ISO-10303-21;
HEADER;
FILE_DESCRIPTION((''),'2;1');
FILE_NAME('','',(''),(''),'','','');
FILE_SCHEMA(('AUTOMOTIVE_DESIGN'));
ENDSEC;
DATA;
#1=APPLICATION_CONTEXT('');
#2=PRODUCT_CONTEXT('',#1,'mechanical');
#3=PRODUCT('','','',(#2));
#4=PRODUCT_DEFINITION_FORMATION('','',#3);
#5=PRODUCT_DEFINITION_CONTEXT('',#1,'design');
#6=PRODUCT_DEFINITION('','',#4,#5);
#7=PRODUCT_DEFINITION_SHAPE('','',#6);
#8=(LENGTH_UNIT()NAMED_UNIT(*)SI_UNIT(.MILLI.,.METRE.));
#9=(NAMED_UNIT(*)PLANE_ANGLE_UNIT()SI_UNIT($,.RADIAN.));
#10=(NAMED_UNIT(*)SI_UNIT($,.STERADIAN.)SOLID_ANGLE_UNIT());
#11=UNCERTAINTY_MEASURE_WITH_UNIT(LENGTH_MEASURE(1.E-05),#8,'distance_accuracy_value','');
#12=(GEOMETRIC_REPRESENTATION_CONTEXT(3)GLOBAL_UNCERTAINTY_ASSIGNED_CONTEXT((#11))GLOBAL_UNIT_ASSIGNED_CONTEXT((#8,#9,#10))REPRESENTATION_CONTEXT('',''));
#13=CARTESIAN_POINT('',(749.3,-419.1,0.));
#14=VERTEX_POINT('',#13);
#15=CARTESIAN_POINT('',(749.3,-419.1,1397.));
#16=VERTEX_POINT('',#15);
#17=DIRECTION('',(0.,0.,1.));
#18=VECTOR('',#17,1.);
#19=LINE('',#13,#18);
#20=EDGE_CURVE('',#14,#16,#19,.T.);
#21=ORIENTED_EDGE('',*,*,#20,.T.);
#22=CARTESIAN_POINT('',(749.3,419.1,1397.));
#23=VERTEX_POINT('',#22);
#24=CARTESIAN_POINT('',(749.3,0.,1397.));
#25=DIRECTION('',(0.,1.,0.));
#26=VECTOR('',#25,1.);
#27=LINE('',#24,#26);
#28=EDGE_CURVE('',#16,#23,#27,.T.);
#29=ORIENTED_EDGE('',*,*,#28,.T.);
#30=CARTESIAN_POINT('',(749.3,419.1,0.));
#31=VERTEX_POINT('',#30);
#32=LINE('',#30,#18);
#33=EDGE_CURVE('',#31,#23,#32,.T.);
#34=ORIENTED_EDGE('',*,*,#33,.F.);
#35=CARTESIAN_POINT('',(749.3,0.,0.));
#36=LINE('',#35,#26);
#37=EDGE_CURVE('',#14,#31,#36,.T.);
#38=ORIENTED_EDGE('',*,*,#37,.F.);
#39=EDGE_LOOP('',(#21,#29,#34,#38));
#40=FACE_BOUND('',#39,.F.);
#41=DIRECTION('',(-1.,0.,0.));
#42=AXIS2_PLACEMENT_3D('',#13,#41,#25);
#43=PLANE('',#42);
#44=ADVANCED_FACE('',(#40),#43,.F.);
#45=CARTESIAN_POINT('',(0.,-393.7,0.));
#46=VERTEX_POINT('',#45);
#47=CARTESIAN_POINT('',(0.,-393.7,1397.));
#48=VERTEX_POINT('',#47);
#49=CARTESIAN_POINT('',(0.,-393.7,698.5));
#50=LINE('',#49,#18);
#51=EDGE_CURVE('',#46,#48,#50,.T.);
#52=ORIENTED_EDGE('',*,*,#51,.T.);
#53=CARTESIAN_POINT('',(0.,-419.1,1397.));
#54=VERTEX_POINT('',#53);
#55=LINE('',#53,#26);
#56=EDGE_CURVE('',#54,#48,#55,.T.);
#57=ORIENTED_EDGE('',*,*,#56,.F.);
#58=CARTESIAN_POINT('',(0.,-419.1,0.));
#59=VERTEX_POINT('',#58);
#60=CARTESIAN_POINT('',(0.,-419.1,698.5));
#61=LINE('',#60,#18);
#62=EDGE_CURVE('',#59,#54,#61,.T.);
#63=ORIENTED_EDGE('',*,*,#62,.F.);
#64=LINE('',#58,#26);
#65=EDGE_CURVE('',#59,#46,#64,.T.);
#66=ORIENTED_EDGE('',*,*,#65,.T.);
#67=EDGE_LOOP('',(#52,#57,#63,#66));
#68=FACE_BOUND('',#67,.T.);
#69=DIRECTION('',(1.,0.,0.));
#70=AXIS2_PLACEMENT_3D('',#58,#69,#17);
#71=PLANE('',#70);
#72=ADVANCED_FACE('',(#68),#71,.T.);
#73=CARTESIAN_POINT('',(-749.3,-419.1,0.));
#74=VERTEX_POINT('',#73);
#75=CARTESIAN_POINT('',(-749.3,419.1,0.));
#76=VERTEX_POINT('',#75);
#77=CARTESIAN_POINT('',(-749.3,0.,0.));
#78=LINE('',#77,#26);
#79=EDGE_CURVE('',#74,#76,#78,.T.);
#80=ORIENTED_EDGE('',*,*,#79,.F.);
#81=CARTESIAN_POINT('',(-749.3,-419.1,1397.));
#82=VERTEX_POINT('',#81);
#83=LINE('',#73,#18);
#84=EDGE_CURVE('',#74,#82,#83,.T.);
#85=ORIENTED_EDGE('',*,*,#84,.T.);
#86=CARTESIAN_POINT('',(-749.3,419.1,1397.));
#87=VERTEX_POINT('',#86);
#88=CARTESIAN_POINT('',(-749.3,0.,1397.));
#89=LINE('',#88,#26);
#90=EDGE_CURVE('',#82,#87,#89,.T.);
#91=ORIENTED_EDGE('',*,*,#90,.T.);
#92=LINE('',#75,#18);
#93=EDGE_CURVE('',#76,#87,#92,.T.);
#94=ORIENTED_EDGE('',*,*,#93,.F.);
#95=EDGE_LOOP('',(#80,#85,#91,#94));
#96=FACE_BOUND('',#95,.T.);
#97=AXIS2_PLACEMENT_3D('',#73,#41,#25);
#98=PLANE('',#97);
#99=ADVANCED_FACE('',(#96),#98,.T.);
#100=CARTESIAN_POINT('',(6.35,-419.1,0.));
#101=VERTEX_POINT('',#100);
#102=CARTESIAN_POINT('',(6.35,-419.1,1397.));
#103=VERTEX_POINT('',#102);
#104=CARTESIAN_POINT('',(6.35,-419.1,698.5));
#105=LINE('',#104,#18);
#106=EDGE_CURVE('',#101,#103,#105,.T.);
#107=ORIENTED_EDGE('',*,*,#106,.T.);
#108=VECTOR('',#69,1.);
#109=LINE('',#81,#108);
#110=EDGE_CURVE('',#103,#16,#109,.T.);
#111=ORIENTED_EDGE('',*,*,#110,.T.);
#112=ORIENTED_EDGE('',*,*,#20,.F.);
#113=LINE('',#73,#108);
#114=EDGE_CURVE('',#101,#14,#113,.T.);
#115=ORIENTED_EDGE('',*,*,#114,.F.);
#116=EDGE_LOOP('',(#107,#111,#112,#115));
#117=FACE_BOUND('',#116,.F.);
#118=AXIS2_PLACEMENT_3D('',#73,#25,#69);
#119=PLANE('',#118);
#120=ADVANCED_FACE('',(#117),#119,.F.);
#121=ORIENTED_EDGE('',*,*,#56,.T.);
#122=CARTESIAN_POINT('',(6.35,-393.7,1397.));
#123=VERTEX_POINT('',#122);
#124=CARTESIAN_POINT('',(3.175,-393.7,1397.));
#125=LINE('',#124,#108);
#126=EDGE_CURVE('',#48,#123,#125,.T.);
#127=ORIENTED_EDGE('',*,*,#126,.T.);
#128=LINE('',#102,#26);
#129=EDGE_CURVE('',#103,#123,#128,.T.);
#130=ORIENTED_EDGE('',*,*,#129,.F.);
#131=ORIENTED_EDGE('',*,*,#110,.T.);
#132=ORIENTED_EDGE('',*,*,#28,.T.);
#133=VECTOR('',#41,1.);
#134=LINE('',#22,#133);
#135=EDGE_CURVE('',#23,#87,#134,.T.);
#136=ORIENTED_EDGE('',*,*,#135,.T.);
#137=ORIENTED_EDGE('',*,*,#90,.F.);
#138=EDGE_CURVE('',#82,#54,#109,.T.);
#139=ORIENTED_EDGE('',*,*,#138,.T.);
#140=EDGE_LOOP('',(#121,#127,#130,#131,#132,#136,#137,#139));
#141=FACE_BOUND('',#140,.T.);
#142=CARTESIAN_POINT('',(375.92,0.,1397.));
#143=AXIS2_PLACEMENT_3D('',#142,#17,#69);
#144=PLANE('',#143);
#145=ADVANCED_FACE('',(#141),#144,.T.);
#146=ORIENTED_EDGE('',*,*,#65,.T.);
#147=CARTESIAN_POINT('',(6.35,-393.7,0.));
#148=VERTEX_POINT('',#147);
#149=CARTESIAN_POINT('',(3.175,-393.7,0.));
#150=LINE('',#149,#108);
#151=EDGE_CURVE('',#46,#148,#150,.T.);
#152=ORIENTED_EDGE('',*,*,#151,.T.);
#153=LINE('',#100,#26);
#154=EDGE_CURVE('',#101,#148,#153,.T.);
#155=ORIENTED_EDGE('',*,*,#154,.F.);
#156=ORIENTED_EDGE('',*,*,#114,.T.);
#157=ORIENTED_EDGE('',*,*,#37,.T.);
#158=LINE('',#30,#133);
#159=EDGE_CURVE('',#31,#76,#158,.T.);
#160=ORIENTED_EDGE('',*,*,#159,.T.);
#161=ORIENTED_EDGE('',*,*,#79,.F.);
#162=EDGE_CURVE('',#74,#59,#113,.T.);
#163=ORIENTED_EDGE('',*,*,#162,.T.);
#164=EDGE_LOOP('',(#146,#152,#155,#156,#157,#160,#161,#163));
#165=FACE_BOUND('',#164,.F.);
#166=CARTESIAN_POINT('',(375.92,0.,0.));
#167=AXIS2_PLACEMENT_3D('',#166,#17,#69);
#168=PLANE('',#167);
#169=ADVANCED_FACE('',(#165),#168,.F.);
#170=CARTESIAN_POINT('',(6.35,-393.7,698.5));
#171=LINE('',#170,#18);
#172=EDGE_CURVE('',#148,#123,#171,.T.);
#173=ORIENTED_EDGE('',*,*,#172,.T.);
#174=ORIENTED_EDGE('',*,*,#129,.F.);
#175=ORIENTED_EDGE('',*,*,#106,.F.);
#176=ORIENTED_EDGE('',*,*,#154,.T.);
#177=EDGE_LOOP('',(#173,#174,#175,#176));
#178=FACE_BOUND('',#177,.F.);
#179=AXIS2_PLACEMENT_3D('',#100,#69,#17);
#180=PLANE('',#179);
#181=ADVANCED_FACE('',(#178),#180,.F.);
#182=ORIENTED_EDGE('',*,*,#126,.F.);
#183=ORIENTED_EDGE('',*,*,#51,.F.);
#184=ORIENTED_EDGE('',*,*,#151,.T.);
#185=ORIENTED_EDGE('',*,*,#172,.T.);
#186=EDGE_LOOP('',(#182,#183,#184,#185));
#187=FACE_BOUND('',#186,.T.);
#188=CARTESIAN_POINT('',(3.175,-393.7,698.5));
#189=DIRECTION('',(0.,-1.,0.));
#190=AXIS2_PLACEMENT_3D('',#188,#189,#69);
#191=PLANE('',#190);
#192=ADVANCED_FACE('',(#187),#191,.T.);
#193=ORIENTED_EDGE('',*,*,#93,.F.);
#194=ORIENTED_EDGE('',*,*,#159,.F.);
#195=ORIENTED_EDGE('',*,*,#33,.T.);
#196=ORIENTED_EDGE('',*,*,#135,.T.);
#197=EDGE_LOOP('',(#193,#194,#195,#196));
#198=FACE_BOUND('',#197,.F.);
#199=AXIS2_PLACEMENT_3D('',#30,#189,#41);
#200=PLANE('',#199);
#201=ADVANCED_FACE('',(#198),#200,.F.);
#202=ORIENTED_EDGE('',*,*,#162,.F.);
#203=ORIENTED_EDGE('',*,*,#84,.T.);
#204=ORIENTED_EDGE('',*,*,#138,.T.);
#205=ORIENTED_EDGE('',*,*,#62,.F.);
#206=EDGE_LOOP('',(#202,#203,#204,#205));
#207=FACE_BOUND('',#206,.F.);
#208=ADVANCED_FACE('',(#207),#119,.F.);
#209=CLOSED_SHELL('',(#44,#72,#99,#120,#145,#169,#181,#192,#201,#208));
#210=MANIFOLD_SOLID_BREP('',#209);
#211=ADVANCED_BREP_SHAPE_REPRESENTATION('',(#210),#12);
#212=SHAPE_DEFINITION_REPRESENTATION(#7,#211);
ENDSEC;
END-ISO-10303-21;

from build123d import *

# Parameters (mm, degrees)
F0_W     = 746.76
F0_H     = 838.2
F0_W_2   = 5.08
F1_DEPTH = 1397
F2_W     = 6.35
F2_H     = 1397
F3_DEPTH = 25.4


with BuildPart() as f1:
    # F0 (on Top) → F1 (new body)
    with BuildSketch(Plane.XY):
        with Locations((375.92, 0)):
            Rectangle(F0_W, F0_H)
        with Locations((-375.92, 0)):
            Rectangle(F0_W, F0_H)
        Rectangle(F0_W_2, F0_H)
    extrude(amount=F1_DEPTH)

    # F2 (on face) → F3 (cut)
    with BuildSketch(Plane.XZ.offset(419.1)):
        with Locations((3.175, 698.5)):
            Rectangle(F2_W, F2_H)
    extrude(amount=-F3_DEPTH, mode=Mode.SUBTRACT)


solid = f1.part
